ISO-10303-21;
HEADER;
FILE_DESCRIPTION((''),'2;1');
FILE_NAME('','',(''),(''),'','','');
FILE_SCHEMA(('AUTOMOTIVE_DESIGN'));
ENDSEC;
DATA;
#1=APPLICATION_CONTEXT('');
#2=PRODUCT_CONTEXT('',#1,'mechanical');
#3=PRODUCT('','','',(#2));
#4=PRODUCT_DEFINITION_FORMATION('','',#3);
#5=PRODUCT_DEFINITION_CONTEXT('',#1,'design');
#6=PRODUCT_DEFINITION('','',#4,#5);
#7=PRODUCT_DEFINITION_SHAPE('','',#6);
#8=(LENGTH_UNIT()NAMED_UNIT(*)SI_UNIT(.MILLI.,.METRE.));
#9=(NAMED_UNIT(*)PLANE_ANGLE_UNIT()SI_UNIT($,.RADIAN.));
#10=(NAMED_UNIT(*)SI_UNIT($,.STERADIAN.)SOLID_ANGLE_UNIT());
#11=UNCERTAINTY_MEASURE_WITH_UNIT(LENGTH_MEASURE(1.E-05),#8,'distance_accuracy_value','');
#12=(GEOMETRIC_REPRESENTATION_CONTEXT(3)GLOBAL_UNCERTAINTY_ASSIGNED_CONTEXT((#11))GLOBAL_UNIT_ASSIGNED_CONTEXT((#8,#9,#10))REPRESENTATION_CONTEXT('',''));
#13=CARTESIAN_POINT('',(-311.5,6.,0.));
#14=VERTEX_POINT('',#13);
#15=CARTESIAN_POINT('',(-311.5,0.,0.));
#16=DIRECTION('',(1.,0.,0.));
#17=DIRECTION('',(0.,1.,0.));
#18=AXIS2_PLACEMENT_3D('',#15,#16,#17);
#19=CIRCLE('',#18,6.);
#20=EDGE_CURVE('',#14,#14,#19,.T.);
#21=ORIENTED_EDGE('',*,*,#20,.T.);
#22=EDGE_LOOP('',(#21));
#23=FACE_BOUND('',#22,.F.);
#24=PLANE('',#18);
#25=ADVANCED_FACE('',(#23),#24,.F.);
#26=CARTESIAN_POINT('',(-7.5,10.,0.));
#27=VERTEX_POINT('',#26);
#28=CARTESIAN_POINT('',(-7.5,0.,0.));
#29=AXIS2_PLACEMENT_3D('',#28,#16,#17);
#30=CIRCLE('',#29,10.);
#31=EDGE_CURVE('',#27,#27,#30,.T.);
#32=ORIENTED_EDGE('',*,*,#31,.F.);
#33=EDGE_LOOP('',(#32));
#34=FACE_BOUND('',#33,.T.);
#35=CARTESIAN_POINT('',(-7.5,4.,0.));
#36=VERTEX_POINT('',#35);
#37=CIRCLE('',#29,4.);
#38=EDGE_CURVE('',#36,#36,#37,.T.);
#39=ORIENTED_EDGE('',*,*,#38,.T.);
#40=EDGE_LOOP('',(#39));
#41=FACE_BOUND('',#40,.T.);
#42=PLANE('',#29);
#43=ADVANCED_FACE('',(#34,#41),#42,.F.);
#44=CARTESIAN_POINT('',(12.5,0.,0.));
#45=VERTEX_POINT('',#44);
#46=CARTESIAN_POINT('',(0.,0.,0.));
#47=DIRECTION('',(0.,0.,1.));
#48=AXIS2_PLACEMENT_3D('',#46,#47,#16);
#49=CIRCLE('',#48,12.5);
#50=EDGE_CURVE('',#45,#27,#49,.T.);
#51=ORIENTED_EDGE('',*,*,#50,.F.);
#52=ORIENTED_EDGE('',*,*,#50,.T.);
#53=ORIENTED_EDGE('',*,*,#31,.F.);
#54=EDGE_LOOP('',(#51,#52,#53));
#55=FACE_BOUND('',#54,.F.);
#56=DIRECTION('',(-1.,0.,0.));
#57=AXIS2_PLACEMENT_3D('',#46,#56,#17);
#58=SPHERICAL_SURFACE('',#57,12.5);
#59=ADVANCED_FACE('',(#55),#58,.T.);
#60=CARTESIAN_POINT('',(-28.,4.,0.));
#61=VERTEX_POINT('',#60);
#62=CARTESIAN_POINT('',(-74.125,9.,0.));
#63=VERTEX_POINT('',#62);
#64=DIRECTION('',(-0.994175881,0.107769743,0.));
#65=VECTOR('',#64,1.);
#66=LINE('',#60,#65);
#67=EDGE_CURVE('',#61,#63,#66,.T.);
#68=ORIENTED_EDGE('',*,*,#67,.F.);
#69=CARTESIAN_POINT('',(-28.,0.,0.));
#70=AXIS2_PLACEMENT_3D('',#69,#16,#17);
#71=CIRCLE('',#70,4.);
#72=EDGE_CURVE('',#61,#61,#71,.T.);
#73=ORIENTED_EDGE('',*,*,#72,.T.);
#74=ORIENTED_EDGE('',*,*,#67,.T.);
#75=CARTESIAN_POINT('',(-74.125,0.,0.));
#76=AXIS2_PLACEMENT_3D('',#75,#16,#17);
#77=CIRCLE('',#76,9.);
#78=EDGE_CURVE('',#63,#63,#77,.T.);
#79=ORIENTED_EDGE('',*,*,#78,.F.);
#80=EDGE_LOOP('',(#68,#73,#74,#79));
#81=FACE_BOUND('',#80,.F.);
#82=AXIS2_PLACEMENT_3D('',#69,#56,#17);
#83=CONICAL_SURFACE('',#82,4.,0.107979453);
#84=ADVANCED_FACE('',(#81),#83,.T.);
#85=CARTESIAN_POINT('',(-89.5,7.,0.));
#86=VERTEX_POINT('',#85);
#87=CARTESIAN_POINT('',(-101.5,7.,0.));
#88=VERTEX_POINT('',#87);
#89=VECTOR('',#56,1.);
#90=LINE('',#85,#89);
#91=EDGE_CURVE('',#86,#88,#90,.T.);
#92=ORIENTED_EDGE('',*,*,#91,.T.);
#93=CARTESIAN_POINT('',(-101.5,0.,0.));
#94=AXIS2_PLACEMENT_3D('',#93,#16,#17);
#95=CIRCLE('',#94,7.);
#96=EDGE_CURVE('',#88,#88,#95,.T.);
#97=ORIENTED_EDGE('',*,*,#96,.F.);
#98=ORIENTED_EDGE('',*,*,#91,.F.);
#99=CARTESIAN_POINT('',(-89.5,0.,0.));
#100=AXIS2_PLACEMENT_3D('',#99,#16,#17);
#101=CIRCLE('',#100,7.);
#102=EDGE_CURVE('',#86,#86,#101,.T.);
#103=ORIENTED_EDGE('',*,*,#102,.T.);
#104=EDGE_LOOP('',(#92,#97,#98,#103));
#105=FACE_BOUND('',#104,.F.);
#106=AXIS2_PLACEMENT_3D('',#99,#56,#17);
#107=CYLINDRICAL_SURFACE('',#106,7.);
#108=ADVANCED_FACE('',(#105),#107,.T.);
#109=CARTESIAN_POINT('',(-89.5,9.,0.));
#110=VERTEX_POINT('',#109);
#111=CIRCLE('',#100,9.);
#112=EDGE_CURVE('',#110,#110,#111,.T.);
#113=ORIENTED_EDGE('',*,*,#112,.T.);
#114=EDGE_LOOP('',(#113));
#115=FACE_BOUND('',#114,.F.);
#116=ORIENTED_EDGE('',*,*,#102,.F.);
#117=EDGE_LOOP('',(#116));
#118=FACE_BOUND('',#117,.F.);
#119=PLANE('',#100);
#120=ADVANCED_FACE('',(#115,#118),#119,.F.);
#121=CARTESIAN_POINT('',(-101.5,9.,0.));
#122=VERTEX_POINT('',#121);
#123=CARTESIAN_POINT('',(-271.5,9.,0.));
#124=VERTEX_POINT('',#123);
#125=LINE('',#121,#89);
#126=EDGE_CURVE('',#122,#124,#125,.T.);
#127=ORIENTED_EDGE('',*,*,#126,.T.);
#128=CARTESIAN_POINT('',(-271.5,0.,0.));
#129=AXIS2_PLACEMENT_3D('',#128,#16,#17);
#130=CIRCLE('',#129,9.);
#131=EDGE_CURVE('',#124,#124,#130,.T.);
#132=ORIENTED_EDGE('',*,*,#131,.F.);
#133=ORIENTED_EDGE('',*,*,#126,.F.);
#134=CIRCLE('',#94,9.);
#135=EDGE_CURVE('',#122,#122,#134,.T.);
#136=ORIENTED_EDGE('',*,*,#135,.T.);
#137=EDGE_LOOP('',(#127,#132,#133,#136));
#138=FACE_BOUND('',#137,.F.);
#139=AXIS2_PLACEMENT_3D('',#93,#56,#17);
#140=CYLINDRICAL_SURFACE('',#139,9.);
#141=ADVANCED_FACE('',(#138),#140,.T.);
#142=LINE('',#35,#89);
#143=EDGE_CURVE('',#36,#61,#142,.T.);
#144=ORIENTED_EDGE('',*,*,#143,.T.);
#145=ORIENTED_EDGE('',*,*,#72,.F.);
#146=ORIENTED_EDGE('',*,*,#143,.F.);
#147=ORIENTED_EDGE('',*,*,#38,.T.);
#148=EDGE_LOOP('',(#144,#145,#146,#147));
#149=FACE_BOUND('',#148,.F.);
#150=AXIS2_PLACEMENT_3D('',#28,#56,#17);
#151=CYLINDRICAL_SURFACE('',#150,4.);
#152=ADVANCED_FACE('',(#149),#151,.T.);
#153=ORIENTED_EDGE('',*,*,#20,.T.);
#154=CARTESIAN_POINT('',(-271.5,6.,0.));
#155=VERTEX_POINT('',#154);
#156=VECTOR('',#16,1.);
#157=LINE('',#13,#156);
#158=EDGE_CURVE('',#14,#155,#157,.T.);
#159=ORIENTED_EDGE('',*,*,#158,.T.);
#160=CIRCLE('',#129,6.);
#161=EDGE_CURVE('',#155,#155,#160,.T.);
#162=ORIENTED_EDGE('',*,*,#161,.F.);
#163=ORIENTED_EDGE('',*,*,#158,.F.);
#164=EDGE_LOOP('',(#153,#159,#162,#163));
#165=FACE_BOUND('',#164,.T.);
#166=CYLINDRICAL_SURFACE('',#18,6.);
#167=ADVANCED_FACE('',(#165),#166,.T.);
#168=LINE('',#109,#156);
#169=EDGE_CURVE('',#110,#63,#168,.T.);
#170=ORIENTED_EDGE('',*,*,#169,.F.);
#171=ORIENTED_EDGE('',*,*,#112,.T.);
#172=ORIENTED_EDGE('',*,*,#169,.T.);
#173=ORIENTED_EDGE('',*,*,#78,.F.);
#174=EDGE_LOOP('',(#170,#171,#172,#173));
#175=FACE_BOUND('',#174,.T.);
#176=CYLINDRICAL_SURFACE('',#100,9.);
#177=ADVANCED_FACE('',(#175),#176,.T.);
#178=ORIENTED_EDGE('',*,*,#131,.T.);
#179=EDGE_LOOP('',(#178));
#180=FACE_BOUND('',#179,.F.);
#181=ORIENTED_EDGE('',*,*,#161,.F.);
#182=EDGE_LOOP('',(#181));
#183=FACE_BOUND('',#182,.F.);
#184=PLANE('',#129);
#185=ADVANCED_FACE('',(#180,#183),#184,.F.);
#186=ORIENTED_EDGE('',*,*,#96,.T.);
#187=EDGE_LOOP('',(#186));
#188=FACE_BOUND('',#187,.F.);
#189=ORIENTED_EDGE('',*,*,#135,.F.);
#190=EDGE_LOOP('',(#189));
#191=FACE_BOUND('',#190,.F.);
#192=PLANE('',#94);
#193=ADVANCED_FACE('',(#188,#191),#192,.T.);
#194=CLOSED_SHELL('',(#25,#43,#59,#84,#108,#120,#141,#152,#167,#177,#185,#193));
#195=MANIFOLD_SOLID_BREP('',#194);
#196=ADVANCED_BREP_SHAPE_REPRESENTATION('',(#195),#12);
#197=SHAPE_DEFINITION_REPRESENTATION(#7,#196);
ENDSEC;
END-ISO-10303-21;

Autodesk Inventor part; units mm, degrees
ref_plane "YZ Plane" through (0, 0, 0) normal (1, 0, 0) x (0, 1, 0)
ref_plane "XZ Plane" through (0, 0, 0) normal (0, 1, 0) x (-1, 0, 0)
ref_plane "XY Plane" through (0, 0, 0) normal (0, 0, 1) x (1, 0, 0)
sketch "Sketch2" plane through (0, 0, 0) normal (0, 0, 1) x (1, 0, 0)
  circle A0 centre (0, 0) radius 12.5 construction
  line L0 (-7.5, 10) -> (-7.5, 0) construction
  line L1 (-371.0321, 0) -> (76.3349, 0) construction
  line L2 (-74.125, 14.1609) -> (-74.125, -14.7732) construction
  line L3 (-28, 19.1828) -> (-28, -20.0705) construction
  line L4 (-89.5, 17.5781) -> (-89.5, -23.2799) construction
  line L5 (-101.5, 15.9734) -> (-101.5, -24.3909) construction
  line L6 (-271.5, 12.8874) -> (-271.5, -21.6752) construction
  line L7 (-7.5, 4) -> (-28, 4)
  line L8 (-28, 4) -> (-74.125, 9)
  line L9 (-89.5, 9) -> (-74.125, 9)
  line L10 (-311.5, 16.0077) -> (-311.5, -21.7095) construction
  line L11 (-89.5, 9) -> (-89.5, 7)
  line L12 (-89.5, 7) -> (-101.5, 7)
  line L13 (-101.5, 7) -> (-101.5, 9)
  line L14 (-101.5, 9) -> (-271.5, 9)
  line L15 (-311.5, 0) -> (12.5, 0)
  line L16 (-311.5, 6) -> (-271.5, 6)
  line L17 (-271.5, 9) -> (-271.5, 6)
  line L18 (-311.5, 6) -> (-311.5, 0)
  line L19 (-7.5, 4) -> (-7.5, 10)
  arc A1 (12.5, 0) -> (-7.5, 10) centre (0, 0) ccw
  dimension "d13" = 25
  dimension "d14" = 10
  dimension "d15" = 82
  dimension "d16" = 61.5
  dimension "d17" = 46.125
  dimension "d18" = 12
  dimension "d19" = 170
  dimension "ScrewDEPTH" = 40
  dimension "d21" = 4
  dimension "d22" = 9
  dimension "d23" = 7
  dimension "d24" = 6
revolve "Revolution2" add sketch "Sketch2" angle 360 about axis through (-311.5, 0, 0) along (1, 0, 0)
thread "Thread2" size "M12x1.25" class "6g" standard "ISO Metric profile" length 40
equation "\"d13\" = BallJointBall_Dia"
equation "\"d14\" = Chord"
equation "\"d16\" = 0.75 * d15"
equation "\"d17\" = 0.75 * d16"
equation "\"d47\" = ScrewDEPTH"
equation "\"d35\" = 55deg"
equation "\"Sketch3_Pitch\" = 1.5"
equation "\"Screw_DIA\" = 2 * d24"
equation "\"d56\" = 55deg"
equation "\"Sketch6_Pitch\" = 1.25"
equation "\"BallJointBall_Dia\" = 25"
equation "\"Chord\" = 10"
properties part number "MCEN4000:T3" material "STEEL, AISI 1015"
